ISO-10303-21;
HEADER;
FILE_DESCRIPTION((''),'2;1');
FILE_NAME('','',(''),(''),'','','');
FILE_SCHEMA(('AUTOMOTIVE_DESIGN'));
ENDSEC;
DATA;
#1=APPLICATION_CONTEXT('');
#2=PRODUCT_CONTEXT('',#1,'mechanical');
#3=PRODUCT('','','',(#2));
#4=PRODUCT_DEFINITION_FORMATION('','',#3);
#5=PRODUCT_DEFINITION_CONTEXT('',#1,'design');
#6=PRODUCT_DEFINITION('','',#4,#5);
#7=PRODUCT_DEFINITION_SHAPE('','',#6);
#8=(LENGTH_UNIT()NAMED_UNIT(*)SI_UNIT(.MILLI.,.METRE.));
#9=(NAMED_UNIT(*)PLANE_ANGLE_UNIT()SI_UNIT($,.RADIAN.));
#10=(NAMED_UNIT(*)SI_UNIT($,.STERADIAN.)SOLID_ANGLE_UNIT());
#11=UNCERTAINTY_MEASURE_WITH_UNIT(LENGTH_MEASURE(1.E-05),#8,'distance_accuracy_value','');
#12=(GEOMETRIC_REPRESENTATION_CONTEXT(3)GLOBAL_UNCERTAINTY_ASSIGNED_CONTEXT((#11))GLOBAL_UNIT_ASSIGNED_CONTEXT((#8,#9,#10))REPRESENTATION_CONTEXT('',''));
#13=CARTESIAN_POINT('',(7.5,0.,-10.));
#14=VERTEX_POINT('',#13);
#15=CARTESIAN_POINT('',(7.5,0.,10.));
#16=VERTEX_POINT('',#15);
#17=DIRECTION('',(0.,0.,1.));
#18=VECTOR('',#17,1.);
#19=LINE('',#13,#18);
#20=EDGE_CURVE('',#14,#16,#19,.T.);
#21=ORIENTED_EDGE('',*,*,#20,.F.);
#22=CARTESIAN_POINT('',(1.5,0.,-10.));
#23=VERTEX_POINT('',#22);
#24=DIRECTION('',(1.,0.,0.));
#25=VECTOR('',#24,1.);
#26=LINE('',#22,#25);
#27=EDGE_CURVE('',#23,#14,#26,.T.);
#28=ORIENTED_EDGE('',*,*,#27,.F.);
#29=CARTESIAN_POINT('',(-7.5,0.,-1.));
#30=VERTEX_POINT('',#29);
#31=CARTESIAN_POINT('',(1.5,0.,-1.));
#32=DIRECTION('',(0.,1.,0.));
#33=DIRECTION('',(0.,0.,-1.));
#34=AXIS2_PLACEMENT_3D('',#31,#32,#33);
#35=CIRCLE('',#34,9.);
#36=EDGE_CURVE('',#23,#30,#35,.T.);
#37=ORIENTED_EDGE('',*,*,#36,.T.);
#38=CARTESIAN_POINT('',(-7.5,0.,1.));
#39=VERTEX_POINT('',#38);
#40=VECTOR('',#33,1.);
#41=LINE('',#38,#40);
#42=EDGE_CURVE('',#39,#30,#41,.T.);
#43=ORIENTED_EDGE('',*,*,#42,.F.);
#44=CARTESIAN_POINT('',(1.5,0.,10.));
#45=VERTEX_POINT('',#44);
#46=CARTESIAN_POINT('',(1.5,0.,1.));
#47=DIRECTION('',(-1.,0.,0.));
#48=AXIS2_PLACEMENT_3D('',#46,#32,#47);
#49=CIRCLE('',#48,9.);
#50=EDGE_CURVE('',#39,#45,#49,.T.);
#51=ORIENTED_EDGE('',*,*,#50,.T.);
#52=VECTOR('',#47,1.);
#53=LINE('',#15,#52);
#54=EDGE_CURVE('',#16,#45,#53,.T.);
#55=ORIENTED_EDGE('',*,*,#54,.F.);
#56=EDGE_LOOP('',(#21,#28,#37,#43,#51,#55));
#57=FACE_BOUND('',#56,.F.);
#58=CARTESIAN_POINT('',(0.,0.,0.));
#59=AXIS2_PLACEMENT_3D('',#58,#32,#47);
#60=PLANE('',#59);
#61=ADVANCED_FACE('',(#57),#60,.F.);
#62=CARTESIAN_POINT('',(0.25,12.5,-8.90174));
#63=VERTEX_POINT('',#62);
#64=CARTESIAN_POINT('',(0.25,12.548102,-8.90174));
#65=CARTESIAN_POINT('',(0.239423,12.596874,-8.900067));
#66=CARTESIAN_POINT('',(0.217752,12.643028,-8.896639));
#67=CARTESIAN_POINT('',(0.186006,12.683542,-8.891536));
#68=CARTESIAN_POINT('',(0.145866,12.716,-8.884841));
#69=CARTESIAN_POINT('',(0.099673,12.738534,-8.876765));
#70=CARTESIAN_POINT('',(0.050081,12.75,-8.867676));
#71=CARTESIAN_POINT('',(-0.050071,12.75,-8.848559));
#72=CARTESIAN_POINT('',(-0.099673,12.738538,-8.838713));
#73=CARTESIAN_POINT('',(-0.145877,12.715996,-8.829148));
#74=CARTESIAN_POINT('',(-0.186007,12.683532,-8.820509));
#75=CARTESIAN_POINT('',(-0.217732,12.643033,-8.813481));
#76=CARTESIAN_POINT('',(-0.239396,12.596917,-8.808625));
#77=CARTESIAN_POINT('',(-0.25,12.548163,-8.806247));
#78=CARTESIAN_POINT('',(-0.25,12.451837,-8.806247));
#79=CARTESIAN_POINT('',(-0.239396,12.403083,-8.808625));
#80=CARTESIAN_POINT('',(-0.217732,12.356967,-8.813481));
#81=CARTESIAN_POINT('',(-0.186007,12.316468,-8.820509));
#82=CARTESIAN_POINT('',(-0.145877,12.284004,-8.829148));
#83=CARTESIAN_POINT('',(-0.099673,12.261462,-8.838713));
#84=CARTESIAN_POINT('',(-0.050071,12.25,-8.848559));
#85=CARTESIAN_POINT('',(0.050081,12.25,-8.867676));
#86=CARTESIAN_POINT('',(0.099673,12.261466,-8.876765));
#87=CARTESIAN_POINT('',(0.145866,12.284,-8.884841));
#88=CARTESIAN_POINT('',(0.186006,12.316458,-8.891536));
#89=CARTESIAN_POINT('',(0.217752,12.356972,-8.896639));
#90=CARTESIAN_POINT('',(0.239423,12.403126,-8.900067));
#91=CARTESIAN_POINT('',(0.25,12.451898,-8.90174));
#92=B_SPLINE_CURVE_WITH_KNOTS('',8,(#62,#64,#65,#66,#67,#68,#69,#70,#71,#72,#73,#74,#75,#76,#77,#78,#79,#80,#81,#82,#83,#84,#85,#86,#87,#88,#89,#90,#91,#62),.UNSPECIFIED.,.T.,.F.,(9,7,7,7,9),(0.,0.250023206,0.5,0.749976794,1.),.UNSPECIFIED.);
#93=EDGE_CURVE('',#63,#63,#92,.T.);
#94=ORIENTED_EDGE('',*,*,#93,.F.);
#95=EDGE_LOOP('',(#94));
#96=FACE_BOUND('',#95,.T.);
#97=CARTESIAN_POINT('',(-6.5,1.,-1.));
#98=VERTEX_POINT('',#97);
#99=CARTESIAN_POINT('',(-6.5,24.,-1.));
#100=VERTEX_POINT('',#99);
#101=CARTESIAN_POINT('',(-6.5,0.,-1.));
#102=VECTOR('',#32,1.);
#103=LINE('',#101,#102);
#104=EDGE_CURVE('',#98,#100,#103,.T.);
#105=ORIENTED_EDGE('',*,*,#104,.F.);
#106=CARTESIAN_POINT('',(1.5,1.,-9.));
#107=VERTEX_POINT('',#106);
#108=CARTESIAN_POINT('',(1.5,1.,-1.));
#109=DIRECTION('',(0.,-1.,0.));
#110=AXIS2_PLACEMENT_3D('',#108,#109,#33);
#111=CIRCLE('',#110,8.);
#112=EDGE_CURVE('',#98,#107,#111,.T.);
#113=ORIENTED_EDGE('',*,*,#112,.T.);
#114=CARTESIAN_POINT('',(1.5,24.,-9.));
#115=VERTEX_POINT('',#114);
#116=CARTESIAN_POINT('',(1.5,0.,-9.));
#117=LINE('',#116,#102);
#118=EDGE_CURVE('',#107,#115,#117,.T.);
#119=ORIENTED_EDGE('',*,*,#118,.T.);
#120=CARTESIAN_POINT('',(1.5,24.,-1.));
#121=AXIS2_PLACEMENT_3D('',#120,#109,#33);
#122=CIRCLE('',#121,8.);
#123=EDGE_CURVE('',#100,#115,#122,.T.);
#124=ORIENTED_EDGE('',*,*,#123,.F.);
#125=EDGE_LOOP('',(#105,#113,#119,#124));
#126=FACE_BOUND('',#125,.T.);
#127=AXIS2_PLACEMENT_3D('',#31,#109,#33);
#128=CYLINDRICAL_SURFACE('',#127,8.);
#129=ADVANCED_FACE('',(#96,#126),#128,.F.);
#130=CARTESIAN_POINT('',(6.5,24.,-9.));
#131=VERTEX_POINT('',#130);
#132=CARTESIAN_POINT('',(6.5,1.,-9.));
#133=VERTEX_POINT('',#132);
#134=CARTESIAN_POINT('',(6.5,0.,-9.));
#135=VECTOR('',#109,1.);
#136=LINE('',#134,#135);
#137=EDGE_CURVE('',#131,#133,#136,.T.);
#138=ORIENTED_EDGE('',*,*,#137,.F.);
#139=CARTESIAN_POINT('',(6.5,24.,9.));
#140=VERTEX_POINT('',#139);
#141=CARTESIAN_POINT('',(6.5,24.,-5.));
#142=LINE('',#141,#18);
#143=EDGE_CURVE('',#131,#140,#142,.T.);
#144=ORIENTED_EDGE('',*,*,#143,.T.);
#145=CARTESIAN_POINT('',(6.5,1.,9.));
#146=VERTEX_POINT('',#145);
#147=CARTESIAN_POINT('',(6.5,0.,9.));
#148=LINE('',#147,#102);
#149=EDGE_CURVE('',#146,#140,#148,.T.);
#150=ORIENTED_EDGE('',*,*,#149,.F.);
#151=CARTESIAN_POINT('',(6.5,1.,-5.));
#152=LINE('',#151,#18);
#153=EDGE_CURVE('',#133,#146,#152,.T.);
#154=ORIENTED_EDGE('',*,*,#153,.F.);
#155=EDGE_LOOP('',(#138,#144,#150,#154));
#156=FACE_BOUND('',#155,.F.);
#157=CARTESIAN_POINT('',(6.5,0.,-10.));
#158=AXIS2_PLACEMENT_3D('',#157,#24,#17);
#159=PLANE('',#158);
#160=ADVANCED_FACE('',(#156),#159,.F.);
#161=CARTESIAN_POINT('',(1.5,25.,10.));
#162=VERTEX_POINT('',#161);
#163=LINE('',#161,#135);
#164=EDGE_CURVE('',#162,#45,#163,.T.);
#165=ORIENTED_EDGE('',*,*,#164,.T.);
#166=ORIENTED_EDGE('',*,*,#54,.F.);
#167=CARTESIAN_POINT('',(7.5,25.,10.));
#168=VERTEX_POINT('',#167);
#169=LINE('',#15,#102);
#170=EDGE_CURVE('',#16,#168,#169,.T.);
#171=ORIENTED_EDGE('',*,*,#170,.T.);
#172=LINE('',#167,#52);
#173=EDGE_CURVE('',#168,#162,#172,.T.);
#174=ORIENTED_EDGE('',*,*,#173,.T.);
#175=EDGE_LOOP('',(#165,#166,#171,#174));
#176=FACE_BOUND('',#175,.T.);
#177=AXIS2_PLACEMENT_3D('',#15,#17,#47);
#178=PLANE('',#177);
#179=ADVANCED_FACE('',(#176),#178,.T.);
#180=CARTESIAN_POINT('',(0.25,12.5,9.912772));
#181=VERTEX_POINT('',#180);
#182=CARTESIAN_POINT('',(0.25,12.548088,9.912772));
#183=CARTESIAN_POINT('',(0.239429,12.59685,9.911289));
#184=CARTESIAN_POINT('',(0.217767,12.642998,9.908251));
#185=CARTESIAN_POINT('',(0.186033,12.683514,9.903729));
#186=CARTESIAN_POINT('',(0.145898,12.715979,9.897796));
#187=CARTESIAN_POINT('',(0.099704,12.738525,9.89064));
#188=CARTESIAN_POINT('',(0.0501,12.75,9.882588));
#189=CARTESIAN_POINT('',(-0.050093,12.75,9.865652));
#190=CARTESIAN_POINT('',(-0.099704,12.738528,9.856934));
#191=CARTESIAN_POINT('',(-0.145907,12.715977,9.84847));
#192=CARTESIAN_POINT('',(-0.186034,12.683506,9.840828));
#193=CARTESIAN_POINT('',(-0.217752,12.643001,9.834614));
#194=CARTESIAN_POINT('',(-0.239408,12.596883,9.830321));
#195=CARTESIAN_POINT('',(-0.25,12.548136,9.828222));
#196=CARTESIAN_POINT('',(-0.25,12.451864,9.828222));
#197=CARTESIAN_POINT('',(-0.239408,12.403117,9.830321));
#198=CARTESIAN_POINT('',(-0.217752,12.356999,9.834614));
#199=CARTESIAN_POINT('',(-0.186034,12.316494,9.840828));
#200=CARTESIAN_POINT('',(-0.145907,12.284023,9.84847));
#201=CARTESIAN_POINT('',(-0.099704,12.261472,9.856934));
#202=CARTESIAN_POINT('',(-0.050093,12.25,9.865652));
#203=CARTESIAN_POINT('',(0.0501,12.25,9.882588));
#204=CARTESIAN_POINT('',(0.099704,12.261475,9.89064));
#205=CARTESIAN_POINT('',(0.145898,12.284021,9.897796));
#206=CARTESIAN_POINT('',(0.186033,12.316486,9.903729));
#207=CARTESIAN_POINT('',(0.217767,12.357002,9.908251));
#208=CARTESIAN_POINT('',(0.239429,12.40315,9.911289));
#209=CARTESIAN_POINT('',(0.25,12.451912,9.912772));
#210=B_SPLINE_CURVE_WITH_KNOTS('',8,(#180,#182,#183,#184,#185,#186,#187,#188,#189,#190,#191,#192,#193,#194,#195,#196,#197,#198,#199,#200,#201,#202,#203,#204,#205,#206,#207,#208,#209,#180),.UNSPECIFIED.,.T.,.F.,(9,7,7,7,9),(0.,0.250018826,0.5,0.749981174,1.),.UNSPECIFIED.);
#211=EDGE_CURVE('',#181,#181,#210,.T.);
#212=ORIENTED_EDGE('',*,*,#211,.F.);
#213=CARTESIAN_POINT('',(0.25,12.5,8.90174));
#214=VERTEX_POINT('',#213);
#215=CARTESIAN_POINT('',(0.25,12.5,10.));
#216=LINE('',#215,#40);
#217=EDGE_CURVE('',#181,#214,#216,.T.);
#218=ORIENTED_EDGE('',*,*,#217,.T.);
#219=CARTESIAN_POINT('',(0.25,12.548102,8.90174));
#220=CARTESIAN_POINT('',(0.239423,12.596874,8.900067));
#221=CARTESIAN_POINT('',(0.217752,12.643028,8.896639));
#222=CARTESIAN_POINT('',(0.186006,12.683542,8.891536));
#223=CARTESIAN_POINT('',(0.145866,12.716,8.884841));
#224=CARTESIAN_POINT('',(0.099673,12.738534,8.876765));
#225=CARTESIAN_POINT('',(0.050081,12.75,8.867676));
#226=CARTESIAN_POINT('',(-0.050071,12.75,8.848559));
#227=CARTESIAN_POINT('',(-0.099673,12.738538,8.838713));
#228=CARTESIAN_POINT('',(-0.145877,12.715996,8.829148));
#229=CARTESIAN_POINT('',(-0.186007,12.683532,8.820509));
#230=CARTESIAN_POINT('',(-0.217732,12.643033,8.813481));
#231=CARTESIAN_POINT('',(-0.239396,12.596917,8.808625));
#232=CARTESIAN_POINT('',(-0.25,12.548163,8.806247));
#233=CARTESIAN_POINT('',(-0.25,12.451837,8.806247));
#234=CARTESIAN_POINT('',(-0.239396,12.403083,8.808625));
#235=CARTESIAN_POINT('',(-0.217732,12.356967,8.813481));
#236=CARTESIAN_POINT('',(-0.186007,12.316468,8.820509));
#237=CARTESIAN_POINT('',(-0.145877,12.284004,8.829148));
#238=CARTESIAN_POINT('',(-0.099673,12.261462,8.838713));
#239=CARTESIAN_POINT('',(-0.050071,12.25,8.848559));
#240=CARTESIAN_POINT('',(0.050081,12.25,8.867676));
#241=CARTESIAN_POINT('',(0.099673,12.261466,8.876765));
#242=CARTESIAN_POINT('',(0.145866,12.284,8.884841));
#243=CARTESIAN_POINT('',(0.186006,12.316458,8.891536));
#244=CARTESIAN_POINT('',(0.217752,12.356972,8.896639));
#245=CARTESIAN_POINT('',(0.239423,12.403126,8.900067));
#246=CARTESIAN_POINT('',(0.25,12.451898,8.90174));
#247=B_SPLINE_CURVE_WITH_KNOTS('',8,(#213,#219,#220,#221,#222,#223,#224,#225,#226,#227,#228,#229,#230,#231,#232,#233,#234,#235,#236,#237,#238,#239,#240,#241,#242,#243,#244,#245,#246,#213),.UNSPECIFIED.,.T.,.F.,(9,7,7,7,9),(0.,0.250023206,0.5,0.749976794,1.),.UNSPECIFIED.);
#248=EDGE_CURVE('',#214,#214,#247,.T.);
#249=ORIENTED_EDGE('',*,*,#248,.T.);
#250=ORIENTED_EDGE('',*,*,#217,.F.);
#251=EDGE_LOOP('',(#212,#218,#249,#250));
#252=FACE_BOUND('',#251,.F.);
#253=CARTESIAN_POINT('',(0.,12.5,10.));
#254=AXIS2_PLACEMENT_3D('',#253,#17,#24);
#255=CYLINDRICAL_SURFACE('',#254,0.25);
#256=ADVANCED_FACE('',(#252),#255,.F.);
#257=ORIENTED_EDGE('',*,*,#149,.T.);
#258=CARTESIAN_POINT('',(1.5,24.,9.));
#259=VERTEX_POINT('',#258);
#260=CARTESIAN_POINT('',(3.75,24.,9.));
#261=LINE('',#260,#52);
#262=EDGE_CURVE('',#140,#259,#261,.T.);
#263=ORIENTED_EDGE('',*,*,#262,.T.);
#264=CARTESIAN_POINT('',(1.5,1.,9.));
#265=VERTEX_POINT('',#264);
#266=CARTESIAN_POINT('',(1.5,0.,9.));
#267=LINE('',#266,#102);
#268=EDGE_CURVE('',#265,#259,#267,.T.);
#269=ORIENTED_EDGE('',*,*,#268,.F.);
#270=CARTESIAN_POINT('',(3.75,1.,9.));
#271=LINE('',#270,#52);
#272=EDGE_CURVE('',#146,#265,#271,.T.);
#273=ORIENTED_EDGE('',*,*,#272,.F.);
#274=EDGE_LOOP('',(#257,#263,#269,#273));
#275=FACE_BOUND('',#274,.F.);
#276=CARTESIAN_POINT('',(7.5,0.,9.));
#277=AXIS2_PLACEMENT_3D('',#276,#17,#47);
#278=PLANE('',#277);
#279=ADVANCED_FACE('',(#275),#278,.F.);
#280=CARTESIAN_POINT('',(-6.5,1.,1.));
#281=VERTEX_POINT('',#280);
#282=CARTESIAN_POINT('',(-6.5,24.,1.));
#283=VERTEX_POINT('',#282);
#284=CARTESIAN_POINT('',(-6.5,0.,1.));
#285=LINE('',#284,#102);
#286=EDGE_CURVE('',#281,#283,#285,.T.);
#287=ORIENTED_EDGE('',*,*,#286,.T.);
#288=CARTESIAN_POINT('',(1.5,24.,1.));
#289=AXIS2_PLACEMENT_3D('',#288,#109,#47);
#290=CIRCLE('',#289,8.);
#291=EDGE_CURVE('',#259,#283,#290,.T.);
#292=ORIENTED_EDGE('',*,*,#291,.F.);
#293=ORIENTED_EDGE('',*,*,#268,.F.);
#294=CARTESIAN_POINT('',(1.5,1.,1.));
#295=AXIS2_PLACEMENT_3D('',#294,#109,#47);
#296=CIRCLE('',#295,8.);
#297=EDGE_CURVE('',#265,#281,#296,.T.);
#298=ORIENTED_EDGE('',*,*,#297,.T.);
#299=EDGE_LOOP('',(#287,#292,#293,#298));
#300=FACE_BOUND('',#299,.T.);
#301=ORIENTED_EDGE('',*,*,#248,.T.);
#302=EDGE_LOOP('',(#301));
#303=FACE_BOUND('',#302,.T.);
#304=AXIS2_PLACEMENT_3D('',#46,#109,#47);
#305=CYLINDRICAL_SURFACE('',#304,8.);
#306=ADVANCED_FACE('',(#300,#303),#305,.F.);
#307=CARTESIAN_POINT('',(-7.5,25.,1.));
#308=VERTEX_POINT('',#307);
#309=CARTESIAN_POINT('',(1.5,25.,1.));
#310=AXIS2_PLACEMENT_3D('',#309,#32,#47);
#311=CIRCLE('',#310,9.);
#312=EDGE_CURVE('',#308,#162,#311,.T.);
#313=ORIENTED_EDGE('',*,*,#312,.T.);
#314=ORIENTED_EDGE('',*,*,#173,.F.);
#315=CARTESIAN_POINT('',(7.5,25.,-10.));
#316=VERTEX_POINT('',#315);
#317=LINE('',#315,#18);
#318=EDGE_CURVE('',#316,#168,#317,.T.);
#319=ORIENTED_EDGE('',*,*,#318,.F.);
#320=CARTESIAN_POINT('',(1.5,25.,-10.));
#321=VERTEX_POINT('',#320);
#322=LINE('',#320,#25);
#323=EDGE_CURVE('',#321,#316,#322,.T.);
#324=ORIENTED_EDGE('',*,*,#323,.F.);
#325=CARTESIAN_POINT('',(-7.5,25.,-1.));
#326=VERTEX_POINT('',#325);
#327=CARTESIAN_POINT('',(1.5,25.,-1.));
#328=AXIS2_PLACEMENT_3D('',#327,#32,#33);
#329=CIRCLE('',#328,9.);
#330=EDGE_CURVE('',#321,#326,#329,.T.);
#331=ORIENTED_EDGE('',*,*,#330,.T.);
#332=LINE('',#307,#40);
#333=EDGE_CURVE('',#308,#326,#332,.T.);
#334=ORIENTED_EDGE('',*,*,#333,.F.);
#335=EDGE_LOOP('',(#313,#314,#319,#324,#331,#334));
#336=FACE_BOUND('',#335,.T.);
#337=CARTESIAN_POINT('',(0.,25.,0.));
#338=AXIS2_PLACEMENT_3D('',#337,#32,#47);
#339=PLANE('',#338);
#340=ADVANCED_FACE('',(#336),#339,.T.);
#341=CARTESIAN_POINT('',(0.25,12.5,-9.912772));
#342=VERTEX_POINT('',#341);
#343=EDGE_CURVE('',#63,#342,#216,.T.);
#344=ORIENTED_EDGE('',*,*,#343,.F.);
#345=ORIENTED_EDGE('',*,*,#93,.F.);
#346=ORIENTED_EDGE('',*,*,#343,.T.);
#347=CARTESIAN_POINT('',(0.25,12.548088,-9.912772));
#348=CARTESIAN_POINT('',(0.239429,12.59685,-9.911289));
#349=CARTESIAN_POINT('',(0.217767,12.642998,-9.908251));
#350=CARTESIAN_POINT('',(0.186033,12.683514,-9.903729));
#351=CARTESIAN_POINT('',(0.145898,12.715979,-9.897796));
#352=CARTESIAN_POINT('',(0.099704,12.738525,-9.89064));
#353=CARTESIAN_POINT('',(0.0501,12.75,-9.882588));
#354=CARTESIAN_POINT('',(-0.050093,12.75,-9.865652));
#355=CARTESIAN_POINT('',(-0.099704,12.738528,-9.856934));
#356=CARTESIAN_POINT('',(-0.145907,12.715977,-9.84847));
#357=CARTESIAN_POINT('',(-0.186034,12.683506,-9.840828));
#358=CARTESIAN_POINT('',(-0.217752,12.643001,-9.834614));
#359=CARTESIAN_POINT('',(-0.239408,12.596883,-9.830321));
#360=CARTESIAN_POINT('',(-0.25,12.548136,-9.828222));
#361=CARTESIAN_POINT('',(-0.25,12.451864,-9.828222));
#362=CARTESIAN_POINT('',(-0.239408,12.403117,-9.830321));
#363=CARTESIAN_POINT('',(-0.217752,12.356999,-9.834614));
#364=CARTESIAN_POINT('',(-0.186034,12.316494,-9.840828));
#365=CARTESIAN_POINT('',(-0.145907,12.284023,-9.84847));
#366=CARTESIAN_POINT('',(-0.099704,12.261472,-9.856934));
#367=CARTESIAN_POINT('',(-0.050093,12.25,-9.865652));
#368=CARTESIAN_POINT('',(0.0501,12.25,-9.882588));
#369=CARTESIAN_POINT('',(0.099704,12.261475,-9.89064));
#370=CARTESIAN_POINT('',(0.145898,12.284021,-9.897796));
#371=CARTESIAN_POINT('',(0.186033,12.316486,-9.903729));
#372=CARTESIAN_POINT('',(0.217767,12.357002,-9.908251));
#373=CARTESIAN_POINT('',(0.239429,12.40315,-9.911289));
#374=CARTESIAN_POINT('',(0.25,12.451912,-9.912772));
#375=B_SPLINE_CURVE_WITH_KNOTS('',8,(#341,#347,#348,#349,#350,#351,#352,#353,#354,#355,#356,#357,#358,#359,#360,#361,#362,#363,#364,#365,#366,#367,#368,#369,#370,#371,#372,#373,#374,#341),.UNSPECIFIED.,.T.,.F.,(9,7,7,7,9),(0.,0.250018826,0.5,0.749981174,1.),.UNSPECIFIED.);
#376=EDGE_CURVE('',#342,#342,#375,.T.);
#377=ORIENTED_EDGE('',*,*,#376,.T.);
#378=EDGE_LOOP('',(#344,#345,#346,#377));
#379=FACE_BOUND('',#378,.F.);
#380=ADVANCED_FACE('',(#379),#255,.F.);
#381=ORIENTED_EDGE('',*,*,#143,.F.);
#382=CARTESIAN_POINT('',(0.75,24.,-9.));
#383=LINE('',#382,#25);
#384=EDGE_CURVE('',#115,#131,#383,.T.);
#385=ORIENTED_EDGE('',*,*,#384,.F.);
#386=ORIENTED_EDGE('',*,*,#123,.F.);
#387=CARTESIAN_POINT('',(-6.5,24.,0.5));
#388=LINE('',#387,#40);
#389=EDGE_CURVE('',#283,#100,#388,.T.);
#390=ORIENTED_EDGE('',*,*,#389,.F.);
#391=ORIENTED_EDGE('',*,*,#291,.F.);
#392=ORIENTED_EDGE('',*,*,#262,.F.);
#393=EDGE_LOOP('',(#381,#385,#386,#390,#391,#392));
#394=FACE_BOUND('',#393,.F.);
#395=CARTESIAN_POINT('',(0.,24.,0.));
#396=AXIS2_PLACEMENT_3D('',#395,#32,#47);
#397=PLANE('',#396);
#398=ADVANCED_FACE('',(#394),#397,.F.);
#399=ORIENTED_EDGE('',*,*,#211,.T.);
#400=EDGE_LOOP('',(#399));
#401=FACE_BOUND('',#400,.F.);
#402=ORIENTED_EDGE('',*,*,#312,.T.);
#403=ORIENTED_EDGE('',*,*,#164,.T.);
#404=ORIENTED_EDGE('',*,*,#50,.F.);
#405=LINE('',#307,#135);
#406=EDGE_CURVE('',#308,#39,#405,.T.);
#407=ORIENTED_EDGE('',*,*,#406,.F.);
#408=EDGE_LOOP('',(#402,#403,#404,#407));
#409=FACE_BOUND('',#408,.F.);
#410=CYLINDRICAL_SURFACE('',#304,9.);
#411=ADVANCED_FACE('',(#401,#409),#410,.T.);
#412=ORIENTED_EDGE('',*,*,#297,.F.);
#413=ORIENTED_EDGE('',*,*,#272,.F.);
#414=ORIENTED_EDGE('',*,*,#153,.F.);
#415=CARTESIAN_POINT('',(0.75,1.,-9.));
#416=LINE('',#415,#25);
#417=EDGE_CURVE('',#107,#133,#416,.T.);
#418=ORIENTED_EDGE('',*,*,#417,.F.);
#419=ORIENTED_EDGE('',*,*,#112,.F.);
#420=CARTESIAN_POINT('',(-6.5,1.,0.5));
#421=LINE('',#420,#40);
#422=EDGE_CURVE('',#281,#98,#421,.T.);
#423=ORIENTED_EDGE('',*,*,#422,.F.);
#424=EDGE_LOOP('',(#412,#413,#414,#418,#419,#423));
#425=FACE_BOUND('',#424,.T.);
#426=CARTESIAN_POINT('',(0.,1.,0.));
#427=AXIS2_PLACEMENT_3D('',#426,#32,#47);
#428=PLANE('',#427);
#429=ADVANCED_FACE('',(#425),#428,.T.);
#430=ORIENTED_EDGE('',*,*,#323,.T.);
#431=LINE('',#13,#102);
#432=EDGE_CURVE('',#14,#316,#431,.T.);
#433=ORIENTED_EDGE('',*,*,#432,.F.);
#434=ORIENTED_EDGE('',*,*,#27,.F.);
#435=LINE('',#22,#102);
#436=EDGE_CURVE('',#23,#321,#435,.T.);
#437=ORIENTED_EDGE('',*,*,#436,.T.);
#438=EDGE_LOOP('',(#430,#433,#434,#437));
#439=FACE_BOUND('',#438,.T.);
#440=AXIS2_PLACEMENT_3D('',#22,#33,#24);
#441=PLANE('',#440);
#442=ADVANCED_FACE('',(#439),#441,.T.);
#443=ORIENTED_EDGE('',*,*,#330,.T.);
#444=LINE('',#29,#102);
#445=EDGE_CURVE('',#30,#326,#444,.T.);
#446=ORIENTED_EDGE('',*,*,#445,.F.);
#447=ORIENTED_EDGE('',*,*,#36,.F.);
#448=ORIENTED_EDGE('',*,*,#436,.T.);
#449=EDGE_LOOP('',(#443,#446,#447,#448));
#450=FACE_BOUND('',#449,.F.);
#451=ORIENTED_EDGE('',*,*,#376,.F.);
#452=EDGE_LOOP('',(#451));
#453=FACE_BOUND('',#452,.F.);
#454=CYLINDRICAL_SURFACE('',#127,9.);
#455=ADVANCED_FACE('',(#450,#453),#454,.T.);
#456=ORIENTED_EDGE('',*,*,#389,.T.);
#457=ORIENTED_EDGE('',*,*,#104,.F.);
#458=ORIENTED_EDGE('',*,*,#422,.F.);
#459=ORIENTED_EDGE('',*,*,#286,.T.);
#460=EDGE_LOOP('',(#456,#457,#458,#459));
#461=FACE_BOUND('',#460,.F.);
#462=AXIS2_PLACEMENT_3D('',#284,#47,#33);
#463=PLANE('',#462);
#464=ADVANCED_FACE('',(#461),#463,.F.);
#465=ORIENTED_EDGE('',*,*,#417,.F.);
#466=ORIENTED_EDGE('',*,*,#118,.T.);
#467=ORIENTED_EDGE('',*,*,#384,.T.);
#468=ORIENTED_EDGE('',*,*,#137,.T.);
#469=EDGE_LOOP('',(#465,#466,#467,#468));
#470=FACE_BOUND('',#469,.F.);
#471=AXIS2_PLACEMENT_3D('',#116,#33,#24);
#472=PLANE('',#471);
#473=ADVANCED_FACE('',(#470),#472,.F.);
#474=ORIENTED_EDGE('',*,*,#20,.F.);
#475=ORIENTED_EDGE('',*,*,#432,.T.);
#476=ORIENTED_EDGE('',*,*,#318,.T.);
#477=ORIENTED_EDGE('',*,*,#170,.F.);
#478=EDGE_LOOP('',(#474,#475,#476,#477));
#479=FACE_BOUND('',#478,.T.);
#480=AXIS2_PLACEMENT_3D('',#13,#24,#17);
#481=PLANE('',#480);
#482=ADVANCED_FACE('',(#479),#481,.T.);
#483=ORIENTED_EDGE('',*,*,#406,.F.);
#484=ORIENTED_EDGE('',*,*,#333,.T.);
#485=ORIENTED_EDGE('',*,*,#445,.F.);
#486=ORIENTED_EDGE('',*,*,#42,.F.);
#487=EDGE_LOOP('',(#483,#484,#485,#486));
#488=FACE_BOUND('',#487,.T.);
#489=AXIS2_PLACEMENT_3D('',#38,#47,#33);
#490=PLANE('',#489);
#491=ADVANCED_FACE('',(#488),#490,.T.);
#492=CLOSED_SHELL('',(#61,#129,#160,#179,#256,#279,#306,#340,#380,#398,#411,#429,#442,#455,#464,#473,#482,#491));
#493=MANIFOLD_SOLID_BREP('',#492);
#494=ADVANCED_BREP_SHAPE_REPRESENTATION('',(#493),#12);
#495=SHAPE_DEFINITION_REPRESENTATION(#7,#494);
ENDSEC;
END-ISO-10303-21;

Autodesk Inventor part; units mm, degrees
ref_plane "YZ Plane" through (0, 0, 0) normal (1, 0, 0) x (0, 1, 0)
ref_plane "XZ Plane" through (0, 0, 0) normal (0, 1, 0) x (-1, 0, 0)
ref_plane "XY Plane" through (0, 0, 0) normal (0, 0, 1) x (1, 0, 0)
sketch "Sketch1" plane through (0, 0, 0) normal (0, 1, 0) x (-1, 0, 0)
  line L0 (-7.5, 10) -> (-1.5, 10)
  line L1 (7.5, 1) -> (7.5, -1)
  line L2 (-1.5, -10) -> (-7.5, -10)
  line L3 (-7.5, -10) -> (-7.5, 10)
  line L4 (-7.5, 10) -> (7.5, -10) construction
  line L5 (7.5, 10) -> (-7.5, -10) construction
  arc A0 (7.5, 1) -> (-1.5, 10) centre (-1.5, 1) ccw
  arc A1 (-1.5, -10) -> (7.5, -1) centre (-1.5, -1) ccw
  point P0 (0, 0)
  dimension "d0" = 15
  dimension "d1" = 20
  dimension "d4" = 9
  dimension "d5" = 9
extrude "Extrusion1" add sketch "Sketch1" along normal blind 25
shell "Shell1" thickness 1 removed faces 1 at (-1.5, 0, 0.3333)
extrude "Extrusion2" add sketch "Sketch1" along normal blind 1
sketch "Sketch2" plane through (1.5, 25, 10) normal (0, 0, 1) x (1, 0, 0)
  line L0 (-9, -25) -> (-9, 0) construction
  line L1 (-9, -25) -> (6, 0) construction
  circle A0 centre (-1.5, -12.5) radius 0.25
  point P0 (-1.5, -25)
  dimension "d9" = 0.5
extrude "Extrusion3" cut sketch "Sketch2" against normal through all
properties part number "actuator_tube_test"
